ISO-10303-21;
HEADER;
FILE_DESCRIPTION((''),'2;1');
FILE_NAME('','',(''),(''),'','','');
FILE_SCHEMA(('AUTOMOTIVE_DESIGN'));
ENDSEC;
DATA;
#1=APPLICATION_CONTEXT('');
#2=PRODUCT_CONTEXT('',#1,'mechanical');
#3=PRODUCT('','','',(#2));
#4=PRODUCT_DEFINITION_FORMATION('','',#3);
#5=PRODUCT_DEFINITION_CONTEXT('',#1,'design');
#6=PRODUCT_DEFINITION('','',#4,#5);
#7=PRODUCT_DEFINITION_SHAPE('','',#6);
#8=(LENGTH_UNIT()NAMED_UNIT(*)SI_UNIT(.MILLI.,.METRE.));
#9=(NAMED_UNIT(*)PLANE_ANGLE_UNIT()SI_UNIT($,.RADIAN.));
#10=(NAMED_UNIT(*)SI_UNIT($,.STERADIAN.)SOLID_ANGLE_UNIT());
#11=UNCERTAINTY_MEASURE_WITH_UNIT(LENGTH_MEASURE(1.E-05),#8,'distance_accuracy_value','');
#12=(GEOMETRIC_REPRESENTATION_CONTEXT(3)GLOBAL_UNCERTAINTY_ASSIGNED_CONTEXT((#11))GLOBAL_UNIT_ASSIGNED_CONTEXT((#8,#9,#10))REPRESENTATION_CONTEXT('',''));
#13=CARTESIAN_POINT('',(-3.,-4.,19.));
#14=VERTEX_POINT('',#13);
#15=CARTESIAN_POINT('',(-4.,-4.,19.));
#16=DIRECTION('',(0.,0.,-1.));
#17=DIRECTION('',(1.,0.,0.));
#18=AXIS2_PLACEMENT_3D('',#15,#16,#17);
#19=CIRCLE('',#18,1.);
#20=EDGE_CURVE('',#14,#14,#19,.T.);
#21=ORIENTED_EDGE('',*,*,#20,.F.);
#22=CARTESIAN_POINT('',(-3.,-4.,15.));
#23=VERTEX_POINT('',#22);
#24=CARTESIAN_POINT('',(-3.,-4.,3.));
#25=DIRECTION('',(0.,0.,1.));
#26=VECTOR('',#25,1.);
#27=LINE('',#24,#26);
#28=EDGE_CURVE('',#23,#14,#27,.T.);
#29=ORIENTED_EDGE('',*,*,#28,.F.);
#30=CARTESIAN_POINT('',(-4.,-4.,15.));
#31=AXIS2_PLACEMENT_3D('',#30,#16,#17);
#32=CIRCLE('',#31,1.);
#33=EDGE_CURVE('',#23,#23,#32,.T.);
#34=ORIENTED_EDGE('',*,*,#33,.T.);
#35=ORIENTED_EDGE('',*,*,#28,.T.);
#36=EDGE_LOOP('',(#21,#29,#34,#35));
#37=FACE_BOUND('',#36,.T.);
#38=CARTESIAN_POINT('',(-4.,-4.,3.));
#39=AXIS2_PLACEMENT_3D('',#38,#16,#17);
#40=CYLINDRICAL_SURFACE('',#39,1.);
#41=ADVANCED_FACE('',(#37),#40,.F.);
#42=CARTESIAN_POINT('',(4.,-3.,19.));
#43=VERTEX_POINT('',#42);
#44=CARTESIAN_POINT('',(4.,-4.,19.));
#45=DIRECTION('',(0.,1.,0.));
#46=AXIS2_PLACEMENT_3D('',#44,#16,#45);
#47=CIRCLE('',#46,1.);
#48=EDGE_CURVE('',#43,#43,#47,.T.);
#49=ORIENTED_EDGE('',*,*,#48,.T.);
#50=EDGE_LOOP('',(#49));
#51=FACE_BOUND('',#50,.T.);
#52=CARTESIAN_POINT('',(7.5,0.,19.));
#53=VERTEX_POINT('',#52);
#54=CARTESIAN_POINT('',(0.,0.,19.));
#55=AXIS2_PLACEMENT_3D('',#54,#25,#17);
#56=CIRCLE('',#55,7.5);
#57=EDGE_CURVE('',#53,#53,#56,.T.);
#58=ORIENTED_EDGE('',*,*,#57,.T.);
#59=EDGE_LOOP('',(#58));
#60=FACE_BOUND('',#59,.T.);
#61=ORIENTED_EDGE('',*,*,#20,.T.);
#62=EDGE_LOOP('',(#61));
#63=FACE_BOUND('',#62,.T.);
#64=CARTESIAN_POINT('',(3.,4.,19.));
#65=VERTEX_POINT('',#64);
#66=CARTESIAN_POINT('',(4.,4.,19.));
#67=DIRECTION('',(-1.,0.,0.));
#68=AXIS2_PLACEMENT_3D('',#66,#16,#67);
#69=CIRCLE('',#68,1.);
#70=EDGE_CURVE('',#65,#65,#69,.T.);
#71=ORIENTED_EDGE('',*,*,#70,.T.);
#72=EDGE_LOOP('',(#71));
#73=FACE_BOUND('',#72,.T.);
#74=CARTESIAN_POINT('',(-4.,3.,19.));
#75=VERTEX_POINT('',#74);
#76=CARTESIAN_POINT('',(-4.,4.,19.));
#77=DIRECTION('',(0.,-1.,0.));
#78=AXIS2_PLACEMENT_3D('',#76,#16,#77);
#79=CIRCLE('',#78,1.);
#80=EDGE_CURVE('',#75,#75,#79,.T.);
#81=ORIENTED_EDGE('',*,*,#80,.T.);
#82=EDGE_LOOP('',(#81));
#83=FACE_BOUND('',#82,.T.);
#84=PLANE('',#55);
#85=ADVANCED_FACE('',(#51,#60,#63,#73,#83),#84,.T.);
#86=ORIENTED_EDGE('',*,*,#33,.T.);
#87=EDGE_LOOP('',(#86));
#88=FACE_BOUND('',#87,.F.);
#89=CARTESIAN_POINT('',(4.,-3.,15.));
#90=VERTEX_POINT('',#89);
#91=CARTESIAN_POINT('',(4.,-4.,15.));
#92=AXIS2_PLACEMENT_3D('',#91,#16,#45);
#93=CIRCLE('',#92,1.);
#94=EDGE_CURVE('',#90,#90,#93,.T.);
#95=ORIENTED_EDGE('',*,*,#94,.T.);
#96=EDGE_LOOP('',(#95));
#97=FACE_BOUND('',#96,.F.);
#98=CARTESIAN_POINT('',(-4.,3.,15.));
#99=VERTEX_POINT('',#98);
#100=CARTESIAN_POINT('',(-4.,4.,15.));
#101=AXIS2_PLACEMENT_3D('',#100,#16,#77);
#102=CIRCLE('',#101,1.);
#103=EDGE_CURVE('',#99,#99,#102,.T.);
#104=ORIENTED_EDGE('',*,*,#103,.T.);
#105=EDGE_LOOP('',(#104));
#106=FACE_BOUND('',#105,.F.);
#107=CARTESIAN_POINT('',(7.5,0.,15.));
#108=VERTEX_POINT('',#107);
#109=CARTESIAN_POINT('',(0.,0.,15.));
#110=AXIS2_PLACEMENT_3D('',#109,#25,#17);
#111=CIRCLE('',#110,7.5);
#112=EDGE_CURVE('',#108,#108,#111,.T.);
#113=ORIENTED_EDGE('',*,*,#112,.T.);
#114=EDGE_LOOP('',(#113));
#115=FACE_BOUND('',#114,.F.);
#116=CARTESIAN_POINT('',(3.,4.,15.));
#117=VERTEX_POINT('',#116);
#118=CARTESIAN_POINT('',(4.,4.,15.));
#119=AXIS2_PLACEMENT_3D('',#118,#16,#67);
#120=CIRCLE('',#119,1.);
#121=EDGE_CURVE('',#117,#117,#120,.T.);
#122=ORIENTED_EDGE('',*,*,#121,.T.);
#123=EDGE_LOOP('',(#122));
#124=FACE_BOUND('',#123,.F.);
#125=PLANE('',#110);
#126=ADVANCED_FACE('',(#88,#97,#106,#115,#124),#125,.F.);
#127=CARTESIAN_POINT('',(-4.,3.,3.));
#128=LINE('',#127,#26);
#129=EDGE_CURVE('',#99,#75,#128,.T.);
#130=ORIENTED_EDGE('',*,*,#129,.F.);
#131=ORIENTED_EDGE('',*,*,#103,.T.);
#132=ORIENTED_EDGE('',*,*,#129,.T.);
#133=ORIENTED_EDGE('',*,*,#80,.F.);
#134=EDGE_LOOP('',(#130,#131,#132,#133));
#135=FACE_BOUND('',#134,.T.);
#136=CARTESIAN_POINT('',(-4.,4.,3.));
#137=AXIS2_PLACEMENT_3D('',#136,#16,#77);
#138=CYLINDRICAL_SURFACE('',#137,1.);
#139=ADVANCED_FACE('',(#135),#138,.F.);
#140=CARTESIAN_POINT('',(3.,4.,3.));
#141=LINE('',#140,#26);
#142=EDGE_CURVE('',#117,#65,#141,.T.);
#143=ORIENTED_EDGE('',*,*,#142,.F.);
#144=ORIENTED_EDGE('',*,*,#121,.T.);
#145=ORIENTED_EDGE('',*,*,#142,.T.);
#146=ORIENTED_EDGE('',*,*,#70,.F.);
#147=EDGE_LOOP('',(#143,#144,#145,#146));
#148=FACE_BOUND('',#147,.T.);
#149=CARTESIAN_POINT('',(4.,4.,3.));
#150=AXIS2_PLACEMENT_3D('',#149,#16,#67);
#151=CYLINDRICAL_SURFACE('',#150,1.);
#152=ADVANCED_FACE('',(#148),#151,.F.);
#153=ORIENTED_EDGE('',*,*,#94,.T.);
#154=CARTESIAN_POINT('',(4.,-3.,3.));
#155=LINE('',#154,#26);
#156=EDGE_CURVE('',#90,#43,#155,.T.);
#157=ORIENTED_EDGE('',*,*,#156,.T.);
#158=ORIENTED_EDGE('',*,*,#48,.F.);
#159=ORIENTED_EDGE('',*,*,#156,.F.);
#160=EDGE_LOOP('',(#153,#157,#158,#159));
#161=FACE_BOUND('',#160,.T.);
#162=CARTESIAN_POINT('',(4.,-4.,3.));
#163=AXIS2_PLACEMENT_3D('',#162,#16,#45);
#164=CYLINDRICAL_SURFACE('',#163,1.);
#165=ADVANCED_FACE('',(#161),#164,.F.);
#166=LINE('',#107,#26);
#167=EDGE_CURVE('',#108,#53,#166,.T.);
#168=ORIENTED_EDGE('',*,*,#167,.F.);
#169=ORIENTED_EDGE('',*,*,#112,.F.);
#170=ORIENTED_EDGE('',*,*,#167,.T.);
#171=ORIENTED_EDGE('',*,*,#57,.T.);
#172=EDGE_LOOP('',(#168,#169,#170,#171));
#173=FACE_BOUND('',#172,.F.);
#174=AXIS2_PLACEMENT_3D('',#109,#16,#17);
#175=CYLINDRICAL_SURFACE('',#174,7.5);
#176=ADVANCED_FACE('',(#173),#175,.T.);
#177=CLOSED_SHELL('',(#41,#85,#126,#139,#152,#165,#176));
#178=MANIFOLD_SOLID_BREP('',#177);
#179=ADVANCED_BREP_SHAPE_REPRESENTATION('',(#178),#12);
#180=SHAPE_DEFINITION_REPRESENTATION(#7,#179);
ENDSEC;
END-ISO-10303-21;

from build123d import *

# Parameters (mm, degrees)
CYLINDER1384_R     = 1
CYLINDER1384_DEPTH = 20
CYLINDER1389_R     = 1
CYLINDER1389_DEPTH = 20
CYLINDER1379_R     = 1
CYLINDER1379_DEPTH = 20
CYLINDER1391_R     = 1
CYLINDER1391_DEPTH = 20
CYLINDER1376_R     = 7.5
CYLINDER1376_DEPTH = 4


with BuildPart() as v_lec1384:
    # Cylinder1384 → Cylinder1384 (new body)
    with BuildSketch(Plane(origin=(4, -4, -88), x_dir=(0, 1, 0), z_dir=(0, 0, 1))):
        Circle(CYLINDER1384_R)
    extrude(amount=CYLINDER1384_DEPTH)


with BuildPart() as v_lec1389:
    # Cylinder1389 → Cylinder1389 (new body)
    with BuildSketch(Plane(origin=(4, 4, -88), x_dir=(-1, 0, 0), z_dir=(0, 0, 1))):
        Circle(CYLINDER1389_R)
    extrude(amount=CYLINDER1389_DEPTH)


with BuildPart() as v_lec1379:
    # Cylinder1379 → Cylinder1379 (new body)
    with BuildSketch(Plane(origin=(-4, 4, -88), x_dir=(0, -1, 0), z_dir=(0, 0, 1))):
        Circle(CYLINDER1379_R)
    extrude(amount=CYLINDER1379_DEPTH)


with BuildPart() as compound959:
    # Cylinder1391 → Cylinder1391 (new body)
    with BuildSketch(Plane(origin=(-4, -4, -88), x_dir=(1, 0, 0), z_dir=(0, 0, 1))):
        Circle(CYLINDER1391_R)
    extrude(amount=CYLINDER1391_DEPTH)

    # Compound959: union Válec1384, Válec1389, Válec1379
    add(v_lec1384.part)
    add(v_lec1389.part)
    add(v_lec1379.part)


with BuildPart() as compound959_1:
    # Compound959 placement: moved
    add(compound959.part.moved(Location((0, 0, 91))))


with BuildPart() as cut499:
    # Cylinder1376 → Cylinder1376 (new body)
    with BuildSketch(Plane.XY.offset(15)):
        Circle(CYLINDER1376_R)
    extrude(amount=CYLINDER1376_DEPTH)

    # Cut499: cut Compound959
    add(compound959_1.part, mode=Mode.SUBTRACT)


solid = cut499.part
